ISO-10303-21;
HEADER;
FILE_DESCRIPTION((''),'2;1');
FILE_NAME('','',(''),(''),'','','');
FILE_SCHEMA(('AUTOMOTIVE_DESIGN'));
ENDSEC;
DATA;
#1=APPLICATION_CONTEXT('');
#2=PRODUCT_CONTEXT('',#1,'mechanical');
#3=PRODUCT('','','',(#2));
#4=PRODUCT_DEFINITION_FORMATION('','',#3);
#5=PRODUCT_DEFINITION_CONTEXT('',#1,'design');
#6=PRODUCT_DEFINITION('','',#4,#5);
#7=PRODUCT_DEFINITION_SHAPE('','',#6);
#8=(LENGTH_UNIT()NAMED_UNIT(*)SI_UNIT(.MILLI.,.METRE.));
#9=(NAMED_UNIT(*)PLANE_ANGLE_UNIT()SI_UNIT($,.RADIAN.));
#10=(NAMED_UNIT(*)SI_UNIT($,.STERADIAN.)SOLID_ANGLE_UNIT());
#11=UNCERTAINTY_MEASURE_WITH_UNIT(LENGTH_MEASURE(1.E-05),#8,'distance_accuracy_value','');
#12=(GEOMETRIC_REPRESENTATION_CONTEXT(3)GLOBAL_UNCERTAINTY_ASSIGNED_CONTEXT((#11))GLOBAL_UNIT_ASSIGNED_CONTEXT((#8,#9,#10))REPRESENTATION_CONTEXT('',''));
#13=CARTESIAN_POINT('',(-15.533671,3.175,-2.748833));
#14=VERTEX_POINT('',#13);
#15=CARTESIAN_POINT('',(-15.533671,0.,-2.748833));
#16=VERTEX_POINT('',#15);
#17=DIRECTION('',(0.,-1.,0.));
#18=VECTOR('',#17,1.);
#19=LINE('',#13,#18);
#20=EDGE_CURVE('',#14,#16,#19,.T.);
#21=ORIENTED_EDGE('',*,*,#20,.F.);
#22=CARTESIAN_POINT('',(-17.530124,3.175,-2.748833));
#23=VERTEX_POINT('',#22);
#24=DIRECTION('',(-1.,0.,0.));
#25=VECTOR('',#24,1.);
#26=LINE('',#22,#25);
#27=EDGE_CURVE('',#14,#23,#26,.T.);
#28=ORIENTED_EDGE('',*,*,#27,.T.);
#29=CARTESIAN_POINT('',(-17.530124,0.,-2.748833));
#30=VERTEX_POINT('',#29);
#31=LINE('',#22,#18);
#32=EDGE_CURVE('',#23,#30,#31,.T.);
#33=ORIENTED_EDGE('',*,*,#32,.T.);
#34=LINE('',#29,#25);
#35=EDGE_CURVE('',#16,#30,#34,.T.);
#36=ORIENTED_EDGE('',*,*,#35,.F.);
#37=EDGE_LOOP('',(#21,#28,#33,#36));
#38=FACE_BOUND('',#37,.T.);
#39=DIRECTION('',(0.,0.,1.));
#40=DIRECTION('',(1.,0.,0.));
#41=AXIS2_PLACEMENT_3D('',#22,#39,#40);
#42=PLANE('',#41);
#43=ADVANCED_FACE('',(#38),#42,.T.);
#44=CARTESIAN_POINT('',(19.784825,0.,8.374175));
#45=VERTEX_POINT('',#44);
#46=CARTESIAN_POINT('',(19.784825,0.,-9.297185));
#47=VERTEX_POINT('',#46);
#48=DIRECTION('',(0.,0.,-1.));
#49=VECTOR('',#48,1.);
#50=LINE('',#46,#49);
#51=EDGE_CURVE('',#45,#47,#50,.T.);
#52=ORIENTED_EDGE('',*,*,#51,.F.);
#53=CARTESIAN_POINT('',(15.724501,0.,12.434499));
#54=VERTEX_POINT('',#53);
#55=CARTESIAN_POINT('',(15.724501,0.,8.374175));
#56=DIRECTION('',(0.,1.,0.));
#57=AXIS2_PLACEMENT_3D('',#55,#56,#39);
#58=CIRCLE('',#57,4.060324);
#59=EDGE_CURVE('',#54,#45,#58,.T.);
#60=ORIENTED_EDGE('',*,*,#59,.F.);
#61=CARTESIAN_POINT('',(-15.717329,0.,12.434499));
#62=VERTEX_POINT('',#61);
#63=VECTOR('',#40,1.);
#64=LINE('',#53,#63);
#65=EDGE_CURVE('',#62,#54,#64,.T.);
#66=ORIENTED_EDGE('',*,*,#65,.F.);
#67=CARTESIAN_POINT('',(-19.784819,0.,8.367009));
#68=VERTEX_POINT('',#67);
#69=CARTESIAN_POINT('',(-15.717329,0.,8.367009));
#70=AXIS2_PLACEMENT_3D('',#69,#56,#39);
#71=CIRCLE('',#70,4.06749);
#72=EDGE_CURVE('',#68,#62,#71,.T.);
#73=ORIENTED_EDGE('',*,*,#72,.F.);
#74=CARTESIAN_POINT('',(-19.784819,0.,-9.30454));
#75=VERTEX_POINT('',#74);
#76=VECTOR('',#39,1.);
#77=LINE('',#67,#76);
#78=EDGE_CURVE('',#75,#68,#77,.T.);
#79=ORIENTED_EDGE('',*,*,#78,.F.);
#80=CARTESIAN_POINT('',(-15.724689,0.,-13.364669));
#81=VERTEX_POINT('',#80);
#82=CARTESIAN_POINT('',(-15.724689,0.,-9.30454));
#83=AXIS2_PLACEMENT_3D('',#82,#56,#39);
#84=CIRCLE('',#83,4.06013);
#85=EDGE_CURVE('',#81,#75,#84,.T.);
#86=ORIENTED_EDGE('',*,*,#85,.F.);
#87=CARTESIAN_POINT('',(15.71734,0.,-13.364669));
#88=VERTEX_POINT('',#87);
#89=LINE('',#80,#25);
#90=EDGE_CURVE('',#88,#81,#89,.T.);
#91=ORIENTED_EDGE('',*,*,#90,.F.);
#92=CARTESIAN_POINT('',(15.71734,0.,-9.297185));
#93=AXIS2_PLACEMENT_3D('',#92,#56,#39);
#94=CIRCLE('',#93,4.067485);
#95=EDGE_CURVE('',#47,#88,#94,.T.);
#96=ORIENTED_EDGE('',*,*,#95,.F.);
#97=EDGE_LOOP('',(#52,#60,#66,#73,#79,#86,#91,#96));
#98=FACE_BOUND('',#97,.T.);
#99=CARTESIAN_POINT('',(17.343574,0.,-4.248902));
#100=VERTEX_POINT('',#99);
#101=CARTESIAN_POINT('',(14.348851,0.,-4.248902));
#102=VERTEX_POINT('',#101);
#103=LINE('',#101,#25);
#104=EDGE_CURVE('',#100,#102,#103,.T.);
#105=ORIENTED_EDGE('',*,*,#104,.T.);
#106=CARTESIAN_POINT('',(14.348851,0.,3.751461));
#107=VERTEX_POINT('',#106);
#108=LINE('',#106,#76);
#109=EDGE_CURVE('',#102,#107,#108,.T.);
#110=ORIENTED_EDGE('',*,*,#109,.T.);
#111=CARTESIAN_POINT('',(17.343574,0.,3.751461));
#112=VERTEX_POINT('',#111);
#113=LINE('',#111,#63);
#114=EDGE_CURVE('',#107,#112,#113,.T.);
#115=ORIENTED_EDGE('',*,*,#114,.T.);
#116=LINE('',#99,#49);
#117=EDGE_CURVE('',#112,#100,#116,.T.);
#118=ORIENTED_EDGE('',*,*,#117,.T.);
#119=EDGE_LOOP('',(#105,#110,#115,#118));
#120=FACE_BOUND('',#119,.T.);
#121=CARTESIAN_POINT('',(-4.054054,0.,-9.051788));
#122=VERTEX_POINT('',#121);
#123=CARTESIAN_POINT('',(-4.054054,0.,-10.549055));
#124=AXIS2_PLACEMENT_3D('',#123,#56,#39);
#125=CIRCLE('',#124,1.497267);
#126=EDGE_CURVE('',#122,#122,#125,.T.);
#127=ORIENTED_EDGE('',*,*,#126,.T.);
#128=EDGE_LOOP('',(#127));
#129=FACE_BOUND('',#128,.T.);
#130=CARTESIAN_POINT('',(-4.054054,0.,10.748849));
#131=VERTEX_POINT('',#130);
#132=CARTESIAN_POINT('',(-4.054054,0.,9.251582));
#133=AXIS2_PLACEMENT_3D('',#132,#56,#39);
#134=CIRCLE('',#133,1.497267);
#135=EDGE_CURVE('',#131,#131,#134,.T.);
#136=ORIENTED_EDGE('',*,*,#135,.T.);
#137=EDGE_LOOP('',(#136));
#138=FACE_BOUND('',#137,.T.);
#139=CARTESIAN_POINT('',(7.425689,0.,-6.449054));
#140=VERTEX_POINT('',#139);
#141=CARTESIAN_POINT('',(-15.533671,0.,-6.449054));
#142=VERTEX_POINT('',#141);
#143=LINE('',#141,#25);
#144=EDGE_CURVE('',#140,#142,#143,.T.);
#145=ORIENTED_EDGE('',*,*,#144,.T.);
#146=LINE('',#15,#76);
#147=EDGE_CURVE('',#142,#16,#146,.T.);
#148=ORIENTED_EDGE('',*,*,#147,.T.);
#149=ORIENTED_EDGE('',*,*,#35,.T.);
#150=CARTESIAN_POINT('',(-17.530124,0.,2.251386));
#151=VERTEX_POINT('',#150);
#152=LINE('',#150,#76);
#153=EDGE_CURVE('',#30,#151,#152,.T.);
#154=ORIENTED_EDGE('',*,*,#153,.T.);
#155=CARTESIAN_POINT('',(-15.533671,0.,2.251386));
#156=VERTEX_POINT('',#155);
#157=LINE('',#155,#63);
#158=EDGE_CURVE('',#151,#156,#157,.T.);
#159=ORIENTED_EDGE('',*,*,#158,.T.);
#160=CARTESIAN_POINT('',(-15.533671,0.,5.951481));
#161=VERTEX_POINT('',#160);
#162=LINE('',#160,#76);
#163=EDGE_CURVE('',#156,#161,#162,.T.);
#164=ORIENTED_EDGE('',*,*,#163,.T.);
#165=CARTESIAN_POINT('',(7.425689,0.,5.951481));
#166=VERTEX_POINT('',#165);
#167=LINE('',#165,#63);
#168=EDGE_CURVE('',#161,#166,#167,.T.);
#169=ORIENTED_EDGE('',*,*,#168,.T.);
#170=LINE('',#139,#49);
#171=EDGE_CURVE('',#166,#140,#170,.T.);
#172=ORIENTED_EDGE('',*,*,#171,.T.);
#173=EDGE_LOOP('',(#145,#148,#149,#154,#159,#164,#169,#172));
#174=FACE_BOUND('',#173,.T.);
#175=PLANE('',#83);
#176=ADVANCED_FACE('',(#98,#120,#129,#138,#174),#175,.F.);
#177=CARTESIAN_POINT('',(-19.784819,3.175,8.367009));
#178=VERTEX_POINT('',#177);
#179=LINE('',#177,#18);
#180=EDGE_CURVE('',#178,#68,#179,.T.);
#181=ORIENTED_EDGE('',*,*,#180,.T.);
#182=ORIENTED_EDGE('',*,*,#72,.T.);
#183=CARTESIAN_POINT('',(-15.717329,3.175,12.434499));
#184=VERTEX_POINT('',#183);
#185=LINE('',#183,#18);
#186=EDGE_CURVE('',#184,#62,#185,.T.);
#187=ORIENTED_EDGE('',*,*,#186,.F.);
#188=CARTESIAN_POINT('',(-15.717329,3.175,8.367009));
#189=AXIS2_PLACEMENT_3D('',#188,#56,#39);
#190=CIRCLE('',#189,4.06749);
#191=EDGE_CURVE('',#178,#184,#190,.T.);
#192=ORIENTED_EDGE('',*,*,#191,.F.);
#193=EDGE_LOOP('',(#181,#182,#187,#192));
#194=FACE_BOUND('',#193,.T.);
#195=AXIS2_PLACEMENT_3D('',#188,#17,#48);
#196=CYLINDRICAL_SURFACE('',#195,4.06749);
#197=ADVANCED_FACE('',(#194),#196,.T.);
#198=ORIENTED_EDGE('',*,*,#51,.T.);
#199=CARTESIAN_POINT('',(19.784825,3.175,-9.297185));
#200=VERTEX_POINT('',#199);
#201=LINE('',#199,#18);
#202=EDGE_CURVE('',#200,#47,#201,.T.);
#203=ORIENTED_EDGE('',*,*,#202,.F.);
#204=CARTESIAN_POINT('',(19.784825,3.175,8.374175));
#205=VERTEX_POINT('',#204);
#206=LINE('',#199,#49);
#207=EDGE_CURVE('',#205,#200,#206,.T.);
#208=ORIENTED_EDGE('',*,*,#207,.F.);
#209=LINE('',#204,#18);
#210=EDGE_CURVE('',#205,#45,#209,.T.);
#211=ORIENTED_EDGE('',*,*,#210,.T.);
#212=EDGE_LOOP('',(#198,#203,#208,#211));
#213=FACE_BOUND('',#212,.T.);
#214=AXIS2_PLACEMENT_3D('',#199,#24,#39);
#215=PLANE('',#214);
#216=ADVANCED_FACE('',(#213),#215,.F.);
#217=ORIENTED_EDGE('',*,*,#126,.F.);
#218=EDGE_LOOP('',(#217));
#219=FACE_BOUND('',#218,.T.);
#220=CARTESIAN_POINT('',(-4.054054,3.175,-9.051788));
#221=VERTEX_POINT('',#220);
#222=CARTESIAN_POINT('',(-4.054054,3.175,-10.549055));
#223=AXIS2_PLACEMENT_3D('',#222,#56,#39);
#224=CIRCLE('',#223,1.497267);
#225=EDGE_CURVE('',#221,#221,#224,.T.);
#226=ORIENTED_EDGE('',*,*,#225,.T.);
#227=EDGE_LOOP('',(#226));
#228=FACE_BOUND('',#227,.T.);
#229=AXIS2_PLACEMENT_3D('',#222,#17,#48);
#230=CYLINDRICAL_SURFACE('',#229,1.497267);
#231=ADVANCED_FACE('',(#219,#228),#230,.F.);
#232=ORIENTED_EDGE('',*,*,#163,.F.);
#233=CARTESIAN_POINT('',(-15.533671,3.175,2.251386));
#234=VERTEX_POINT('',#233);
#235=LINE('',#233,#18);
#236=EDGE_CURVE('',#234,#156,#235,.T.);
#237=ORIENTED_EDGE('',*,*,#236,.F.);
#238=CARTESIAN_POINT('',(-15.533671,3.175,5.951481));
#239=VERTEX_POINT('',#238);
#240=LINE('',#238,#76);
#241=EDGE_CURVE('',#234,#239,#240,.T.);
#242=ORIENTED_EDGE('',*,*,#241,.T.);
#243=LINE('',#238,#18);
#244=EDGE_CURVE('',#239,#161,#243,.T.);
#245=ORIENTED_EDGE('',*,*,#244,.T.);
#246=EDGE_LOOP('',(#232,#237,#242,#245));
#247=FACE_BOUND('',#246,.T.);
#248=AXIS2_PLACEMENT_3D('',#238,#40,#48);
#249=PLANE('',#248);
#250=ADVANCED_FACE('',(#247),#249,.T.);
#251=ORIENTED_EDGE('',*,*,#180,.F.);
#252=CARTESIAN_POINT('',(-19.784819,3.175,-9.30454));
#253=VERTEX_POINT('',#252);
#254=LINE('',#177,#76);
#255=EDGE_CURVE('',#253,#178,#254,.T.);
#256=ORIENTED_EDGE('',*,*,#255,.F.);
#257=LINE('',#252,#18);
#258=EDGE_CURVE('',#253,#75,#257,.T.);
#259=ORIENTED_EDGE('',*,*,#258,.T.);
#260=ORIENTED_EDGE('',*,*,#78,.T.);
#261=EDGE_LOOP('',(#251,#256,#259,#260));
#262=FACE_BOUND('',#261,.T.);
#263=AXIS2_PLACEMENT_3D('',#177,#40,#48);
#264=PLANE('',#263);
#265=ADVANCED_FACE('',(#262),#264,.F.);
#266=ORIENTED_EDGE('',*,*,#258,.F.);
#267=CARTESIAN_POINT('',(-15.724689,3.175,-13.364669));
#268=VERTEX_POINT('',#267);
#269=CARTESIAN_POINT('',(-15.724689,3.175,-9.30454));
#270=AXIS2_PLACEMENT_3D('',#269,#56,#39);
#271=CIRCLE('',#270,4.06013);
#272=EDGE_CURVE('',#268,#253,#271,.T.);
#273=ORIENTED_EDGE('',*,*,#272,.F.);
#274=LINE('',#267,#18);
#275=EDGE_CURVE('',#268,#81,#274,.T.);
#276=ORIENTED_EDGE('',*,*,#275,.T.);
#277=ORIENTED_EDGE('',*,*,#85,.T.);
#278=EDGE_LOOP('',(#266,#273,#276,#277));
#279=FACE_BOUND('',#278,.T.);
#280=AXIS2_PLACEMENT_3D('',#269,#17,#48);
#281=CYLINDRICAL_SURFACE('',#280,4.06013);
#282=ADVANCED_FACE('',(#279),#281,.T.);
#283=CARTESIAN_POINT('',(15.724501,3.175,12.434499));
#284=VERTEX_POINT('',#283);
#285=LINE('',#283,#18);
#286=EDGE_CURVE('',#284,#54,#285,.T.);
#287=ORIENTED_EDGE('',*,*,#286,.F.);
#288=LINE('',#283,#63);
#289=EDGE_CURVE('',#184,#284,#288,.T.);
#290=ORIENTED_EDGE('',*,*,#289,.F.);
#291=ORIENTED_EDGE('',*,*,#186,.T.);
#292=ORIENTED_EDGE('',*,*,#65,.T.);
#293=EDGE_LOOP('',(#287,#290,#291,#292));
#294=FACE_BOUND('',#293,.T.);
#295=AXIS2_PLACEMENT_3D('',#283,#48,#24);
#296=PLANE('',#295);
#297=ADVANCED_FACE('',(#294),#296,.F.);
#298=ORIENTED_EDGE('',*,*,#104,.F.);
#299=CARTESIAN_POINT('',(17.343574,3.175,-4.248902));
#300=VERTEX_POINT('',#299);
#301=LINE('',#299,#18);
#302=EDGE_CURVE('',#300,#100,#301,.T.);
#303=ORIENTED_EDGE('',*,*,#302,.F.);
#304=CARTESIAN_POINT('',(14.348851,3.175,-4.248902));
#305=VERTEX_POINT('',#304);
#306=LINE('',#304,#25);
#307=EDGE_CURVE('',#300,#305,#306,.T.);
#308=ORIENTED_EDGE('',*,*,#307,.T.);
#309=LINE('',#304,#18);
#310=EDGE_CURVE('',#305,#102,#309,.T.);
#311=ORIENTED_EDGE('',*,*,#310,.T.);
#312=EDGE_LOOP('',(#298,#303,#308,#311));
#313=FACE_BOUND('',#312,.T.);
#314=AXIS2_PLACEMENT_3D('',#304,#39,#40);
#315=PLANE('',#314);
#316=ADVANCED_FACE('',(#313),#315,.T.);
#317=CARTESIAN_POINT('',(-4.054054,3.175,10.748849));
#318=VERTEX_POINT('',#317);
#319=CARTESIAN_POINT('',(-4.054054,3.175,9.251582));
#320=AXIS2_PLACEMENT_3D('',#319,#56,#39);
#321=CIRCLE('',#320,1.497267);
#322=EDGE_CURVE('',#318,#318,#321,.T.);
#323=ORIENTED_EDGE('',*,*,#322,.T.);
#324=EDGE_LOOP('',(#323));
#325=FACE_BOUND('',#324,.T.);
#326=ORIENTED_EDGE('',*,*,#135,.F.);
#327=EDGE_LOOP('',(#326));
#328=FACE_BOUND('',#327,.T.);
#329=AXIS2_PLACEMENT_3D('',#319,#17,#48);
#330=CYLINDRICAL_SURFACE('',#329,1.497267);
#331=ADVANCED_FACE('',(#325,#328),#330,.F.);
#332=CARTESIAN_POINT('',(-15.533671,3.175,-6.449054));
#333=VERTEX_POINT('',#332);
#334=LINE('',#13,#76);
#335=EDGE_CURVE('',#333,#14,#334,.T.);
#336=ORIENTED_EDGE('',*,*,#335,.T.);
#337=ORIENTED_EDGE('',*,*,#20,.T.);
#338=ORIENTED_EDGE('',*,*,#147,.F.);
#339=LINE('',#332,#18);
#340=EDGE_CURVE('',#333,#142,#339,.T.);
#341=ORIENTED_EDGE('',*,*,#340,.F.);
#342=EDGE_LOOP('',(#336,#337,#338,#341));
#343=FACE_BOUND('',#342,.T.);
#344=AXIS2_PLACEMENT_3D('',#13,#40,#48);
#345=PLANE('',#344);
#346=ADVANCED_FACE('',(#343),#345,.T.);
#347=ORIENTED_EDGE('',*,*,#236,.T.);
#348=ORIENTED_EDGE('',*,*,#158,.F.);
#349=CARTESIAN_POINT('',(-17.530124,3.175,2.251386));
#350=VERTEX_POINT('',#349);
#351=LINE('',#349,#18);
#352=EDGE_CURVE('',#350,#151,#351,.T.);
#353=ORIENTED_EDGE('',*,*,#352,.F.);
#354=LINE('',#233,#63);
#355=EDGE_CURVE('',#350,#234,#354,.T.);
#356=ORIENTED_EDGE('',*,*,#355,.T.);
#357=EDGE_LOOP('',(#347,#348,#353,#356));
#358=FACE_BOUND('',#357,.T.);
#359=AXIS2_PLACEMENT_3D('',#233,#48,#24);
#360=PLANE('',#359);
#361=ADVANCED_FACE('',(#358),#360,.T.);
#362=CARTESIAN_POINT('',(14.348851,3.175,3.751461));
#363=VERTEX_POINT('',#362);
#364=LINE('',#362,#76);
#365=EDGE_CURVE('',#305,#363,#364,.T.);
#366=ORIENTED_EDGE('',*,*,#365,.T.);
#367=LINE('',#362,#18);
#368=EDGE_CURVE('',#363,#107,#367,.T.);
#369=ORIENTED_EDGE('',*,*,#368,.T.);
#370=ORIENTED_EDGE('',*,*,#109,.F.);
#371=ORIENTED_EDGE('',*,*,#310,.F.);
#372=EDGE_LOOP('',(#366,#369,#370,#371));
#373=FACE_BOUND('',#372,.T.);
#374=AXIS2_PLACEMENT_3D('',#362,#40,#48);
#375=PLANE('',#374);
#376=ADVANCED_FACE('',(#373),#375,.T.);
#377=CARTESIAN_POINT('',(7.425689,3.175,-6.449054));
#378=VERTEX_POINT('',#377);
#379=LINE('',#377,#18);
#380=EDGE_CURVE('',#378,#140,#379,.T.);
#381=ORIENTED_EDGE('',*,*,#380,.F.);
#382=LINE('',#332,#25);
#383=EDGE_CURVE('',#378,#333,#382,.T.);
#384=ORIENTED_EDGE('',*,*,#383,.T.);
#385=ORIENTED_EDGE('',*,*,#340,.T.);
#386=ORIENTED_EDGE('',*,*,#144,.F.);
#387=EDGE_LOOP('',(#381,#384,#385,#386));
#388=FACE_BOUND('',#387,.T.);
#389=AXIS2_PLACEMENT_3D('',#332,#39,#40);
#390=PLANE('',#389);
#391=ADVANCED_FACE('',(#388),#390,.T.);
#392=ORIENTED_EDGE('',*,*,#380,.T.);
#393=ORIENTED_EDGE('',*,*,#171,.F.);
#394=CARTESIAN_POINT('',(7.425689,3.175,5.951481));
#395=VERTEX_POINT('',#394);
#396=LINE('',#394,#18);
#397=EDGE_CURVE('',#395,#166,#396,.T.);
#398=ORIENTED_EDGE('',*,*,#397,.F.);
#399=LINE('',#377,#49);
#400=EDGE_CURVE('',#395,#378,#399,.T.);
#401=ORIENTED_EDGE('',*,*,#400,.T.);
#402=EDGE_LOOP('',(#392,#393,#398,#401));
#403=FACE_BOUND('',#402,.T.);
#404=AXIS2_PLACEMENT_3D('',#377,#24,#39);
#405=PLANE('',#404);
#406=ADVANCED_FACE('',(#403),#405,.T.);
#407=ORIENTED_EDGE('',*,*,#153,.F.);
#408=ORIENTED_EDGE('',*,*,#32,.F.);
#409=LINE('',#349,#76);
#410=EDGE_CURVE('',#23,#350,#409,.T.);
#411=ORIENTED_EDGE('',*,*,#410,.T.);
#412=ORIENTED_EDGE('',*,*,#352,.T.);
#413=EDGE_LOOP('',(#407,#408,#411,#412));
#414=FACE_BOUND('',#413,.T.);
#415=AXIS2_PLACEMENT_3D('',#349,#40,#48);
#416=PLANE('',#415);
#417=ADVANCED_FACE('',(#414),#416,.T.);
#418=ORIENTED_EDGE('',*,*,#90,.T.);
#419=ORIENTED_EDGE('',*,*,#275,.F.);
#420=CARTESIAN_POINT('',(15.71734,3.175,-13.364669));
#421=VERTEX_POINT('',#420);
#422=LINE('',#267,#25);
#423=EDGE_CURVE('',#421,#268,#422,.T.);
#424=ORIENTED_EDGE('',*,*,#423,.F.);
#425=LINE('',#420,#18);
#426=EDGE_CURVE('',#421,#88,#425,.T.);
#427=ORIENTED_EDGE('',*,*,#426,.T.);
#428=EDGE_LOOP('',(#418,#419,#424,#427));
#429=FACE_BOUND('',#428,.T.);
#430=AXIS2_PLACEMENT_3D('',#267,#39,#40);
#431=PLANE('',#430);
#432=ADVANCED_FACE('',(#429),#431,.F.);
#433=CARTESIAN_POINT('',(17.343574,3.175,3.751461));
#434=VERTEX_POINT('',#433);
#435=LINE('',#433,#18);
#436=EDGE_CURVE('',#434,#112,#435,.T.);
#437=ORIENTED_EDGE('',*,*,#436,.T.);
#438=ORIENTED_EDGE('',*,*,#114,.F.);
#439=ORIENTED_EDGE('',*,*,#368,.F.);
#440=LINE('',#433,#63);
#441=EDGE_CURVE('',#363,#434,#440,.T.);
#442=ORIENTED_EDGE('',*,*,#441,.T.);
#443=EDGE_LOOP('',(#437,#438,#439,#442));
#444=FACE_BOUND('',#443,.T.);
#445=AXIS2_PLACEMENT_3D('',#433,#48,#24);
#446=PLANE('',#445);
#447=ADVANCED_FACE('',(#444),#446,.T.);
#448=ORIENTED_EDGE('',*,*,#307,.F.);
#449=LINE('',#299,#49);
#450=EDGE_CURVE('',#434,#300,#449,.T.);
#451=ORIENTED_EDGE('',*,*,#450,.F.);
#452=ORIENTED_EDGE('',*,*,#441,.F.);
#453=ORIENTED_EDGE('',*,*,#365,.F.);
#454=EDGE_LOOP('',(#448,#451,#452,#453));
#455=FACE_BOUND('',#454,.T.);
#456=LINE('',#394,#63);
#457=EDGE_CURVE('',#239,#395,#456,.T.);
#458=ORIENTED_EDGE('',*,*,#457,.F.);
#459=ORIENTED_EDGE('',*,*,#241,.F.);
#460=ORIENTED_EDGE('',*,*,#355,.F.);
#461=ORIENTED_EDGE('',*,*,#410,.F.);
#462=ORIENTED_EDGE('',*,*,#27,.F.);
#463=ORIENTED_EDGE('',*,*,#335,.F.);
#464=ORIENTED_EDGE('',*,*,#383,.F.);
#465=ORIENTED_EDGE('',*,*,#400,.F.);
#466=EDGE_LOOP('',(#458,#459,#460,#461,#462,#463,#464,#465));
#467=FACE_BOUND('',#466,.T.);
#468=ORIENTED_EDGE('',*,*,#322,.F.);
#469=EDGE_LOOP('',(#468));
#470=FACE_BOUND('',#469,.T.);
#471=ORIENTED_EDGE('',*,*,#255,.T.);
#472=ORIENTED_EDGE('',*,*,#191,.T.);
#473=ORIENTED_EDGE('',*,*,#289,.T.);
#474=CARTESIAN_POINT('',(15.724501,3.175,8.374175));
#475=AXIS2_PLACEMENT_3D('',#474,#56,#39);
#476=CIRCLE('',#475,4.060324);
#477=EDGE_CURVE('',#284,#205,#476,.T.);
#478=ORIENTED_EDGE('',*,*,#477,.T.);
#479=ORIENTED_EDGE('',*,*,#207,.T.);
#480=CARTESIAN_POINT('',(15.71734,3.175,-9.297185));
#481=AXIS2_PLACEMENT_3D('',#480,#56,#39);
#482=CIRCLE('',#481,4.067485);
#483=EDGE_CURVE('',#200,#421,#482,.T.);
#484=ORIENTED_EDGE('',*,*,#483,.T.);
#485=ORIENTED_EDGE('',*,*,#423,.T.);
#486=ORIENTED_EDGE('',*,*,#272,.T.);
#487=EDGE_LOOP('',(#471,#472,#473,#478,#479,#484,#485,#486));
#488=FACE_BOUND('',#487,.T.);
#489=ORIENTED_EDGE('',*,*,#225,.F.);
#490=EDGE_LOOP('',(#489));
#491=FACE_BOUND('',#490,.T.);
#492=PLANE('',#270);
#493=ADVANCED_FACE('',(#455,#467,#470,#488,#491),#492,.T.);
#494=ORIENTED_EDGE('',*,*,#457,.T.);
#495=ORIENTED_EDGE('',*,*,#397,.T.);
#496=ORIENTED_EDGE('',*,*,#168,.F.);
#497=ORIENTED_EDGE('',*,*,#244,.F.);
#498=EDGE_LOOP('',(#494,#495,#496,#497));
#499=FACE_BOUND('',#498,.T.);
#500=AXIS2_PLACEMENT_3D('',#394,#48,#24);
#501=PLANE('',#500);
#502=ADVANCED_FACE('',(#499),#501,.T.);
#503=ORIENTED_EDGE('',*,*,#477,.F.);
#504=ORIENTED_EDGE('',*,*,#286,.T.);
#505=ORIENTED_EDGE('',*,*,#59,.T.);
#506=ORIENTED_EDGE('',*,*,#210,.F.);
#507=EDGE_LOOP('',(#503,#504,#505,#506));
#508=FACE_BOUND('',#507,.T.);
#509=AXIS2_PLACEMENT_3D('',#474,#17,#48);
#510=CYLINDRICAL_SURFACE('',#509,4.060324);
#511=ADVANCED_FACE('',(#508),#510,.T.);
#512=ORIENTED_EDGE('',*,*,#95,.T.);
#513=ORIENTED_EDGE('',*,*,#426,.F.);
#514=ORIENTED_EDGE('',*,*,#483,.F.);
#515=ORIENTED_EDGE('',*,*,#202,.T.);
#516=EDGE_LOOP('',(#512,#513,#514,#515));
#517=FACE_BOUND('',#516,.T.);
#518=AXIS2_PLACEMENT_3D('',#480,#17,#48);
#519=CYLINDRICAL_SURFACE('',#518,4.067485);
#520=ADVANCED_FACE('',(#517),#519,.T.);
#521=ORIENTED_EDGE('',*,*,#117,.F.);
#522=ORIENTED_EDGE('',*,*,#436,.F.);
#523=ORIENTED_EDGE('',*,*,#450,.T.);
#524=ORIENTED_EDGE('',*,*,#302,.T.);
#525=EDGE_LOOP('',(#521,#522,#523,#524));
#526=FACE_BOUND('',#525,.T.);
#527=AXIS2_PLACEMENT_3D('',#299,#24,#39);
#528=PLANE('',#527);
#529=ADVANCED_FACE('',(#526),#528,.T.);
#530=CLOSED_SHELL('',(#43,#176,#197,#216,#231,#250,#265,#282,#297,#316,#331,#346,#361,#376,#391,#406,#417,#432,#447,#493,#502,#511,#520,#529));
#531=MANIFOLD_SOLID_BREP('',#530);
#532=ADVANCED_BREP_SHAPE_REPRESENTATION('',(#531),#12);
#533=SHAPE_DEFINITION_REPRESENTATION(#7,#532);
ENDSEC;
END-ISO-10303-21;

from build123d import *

# Parameters (mm, degrees)
SKETCH1_R           = 1.4972665
SKETCH1_W           = 2.994723397
SKETCH1_H           = 8.000362859
BOSS_EXTRUDE1_DEPTH = 3.175


with BuildPart() as part:
    # Sketch1 → Boss-Extrude1 (new body)
    with BuildSketch(Plane(origin=(0, 0, 0), x_dir=(1, 0, 0), z_dir=(0, 1, 0))):
        with BuildLine():
            Line((-15.724689345, 13.36466939), (15.717340342, 13.36466939))
            ThreePointArc((15.717340342, 13.36466939), (18.593486483, 12.173330652), (19.784825221, 9.297184512))
            Line((19.784825221, 9.297184512), (19.784825221, -8.374175229))
            ThreePointArc((19.784825221, -8.374175229), (18.595583797, -11.245258003), (15.724501023, -12.434499427))
            Line((15.724501023, -12.434499427), (-15.717328779, -12.434499427))
            ThreePointArc((-15.717328779, -12.434499427), (-18.593478625, -11.243159154), (-19.784818899, -8.367009308))
            Line((-19.784818899, -8.367009308), (-19.784818899, 9.304539837))
            ThreePointArc((-19.784818899, 9.304539837), (-18.595634485, 12.175484977), (-15.724689345, 13.36466939))
        make_face()
        with Locations(Location((-4.054054374, 10.549054746, 0), (0, 0, 270))):
            Circle(SKETCH1_R, mode=Mode.SUBTRACT)
        with Locations(Location((-4.054054375, -9.251582203, 0), (0, 0, 270))):
            Circle(SKETCH1_R, mode=Mode.SUBTRACT)
        Polygon((-15.533671416, 6.449054402), (7.425689399, 6.449054402), (7.425689399, -5.951480927), (-15.533671416, -5.951480927), (-15.533671416, -2.251386169), (-17.530124434, -2.251386169), (-17.530124434, 2.748832682), (-15.533671416, 2.748832682), align=None, mode=Mode.SUBTRACT)
        with Locations((15.846212781, 0.248720813)):
            Rectangle(SKETCH1_W, SKETCH1_H, mode=Mode.SUBTRACT)
    extrude(amount=BOSS_EXTRUDE1_DEPTH)


solid = part.part
